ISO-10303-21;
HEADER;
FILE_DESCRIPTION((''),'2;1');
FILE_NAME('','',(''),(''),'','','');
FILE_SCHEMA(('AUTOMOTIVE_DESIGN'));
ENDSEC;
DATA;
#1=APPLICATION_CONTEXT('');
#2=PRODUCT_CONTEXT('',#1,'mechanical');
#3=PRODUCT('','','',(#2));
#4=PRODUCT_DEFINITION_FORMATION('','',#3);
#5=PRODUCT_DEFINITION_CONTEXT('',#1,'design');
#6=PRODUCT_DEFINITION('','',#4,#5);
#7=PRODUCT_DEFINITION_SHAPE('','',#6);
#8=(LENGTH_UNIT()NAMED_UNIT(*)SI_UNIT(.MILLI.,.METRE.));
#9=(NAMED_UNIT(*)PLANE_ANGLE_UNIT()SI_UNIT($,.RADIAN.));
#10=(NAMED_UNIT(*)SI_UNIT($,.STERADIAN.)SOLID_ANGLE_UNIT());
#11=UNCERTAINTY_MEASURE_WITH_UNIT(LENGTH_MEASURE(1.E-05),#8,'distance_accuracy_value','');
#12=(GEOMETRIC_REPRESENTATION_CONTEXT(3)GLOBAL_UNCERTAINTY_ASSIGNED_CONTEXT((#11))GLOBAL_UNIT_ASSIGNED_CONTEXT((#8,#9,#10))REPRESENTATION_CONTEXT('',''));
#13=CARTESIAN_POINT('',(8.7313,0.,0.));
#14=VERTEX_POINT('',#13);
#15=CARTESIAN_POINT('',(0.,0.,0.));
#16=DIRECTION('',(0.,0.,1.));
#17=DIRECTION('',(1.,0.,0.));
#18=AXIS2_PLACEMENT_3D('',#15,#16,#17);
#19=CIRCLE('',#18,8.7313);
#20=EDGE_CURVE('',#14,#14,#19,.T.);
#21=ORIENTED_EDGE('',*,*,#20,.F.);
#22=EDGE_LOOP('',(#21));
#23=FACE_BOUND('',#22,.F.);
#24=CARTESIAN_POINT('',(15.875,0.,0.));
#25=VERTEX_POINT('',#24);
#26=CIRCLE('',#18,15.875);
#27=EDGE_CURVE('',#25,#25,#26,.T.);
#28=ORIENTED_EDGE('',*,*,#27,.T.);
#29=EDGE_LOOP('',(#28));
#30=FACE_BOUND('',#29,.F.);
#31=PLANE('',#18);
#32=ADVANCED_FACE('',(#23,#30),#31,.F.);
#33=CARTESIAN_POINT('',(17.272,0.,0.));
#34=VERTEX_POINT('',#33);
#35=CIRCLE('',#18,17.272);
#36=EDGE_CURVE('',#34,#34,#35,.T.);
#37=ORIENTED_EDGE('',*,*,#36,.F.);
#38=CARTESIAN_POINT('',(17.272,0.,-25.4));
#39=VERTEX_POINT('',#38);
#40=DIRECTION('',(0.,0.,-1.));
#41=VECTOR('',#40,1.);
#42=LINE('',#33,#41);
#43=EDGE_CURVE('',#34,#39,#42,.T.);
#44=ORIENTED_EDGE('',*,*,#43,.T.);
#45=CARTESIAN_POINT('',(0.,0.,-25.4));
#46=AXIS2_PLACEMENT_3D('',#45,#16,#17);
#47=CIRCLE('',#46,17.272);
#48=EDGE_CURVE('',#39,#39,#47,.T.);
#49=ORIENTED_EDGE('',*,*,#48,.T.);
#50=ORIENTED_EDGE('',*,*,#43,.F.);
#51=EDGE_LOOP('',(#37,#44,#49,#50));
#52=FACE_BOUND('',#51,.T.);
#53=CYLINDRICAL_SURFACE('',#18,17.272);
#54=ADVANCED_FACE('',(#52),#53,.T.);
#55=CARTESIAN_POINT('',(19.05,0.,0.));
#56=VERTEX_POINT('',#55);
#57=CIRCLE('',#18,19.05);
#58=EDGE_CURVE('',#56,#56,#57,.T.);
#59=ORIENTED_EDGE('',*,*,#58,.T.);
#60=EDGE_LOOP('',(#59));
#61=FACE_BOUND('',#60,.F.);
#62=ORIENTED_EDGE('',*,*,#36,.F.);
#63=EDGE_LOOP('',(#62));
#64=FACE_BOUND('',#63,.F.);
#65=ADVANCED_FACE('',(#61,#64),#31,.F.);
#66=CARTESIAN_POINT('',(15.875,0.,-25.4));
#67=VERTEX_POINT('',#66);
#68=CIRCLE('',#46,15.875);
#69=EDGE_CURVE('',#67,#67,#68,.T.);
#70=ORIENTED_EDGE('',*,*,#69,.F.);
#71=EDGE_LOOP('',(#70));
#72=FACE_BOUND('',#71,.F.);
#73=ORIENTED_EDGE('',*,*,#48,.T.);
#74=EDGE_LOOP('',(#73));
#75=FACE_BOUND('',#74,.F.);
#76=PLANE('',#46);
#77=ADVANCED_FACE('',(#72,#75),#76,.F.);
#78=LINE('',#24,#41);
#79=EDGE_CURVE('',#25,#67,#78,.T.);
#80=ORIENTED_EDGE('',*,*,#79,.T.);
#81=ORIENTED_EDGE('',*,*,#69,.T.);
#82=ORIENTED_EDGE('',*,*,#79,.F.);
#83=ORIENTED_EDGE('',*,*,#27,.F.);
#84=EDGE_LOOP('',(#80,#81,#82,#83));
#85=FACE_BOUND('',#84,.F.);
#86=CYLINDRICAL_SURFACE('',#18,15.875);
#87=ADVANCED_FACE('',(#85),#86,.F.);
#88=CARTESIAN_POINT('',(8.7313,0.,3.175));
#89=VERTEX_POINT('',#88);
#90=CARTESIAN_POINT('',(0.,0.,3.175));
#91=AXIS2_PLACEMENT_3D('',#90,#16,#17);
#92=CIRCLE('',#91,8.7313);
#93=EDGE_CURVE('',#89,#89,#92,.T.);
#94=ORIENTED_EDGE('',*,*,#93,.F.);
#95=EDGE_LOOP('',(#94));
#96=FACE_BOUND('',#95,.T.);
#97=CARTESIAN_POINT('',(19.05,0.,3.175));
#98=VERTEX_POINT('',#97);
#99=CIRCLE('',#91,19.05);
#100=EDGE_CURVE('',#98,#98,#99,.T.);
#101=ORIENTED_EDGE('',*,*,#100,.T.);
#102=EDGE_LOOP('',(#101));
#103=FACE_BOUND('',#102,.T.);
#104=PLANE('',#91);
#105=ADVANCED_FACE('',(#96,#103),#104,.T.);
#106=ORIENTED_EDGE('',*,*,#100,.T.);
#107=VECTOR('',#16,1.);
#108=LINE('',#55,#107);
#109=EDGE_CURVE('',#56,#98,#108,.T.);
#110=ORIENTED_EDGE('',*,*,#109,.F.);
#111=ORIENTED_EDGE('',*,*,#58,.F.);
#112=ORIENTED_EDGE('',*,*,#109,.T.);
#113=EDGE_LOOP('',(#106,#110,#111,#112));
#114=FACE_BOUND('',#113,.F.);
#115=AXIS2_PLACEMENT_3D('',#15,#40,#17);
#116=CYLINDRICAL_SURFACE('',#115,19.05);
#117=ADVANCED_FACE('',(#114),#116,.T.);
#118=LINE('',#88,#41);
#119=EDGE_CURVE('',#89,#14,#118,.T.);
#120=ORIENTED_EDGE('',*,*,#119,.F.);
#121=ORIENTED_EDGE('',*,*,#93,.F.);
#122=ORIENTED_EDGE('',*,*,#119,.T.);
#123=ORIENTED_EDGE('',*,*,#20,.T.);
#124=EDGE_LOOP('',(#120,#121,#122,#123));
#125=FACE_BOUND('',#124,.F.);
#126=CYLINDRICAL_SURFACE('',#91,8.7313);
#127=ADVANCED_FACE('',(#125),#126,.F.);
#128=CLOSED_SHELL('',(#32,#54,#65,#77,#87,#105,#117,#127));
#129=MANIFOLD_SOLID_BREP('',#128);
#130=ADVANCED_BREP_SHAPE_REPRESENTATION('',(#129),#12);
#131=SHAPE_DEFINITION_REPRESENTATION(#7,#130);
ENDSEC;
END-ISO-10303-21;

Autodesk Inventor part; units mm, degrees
ref_plane "YZ Plane" through (0, 0, 0) normal (1, 0, 0) x (0, 1, 0)
ref_plane "XZ Plane" through (0, 0, 0) normal (0, 1, 0) x (-1, 0, 0)
ref_plane "XY Plane" through (0, 0, 0) normal (0, 0, 1) x (1, 0, 0)
sketch "Sketch1" plane through (0, 0, 0) normal (0, 0, 1) x (1, 0, 0)
  circle A0 centre (0, 0) radius 17.272
  circle A1 centre (0, 0) radius 19.05
  circle A2 centre (0, 0) radius 15.875
  dimension "d0" = 34.544
  dimension "d1" = 38.1
  dimension "d6" = 31.75
extrude "Extrusion1" add sketch "Sketch1" along normal blind 3.175 contours A0 | A1 | A2
extrude "Extrusion2" add sketch "Sketch1" against normal blind 25.4 contours A0
sketch "Sketch2" plane through (0, 0, 3.175) normal (0, 0, 1) x (1, 0, 0)
  circle A0 centre (0, 0) radius 19.05 projected
  circle A1 centre (0, 0) radius 8.7313
  dimension "d7" = 17.4625
extrude "Extrusion3" cut sketch "Sketch2" against normal blind 25.4 contours A1
properties part number "PVC Cap" material "PVC-Piping"
